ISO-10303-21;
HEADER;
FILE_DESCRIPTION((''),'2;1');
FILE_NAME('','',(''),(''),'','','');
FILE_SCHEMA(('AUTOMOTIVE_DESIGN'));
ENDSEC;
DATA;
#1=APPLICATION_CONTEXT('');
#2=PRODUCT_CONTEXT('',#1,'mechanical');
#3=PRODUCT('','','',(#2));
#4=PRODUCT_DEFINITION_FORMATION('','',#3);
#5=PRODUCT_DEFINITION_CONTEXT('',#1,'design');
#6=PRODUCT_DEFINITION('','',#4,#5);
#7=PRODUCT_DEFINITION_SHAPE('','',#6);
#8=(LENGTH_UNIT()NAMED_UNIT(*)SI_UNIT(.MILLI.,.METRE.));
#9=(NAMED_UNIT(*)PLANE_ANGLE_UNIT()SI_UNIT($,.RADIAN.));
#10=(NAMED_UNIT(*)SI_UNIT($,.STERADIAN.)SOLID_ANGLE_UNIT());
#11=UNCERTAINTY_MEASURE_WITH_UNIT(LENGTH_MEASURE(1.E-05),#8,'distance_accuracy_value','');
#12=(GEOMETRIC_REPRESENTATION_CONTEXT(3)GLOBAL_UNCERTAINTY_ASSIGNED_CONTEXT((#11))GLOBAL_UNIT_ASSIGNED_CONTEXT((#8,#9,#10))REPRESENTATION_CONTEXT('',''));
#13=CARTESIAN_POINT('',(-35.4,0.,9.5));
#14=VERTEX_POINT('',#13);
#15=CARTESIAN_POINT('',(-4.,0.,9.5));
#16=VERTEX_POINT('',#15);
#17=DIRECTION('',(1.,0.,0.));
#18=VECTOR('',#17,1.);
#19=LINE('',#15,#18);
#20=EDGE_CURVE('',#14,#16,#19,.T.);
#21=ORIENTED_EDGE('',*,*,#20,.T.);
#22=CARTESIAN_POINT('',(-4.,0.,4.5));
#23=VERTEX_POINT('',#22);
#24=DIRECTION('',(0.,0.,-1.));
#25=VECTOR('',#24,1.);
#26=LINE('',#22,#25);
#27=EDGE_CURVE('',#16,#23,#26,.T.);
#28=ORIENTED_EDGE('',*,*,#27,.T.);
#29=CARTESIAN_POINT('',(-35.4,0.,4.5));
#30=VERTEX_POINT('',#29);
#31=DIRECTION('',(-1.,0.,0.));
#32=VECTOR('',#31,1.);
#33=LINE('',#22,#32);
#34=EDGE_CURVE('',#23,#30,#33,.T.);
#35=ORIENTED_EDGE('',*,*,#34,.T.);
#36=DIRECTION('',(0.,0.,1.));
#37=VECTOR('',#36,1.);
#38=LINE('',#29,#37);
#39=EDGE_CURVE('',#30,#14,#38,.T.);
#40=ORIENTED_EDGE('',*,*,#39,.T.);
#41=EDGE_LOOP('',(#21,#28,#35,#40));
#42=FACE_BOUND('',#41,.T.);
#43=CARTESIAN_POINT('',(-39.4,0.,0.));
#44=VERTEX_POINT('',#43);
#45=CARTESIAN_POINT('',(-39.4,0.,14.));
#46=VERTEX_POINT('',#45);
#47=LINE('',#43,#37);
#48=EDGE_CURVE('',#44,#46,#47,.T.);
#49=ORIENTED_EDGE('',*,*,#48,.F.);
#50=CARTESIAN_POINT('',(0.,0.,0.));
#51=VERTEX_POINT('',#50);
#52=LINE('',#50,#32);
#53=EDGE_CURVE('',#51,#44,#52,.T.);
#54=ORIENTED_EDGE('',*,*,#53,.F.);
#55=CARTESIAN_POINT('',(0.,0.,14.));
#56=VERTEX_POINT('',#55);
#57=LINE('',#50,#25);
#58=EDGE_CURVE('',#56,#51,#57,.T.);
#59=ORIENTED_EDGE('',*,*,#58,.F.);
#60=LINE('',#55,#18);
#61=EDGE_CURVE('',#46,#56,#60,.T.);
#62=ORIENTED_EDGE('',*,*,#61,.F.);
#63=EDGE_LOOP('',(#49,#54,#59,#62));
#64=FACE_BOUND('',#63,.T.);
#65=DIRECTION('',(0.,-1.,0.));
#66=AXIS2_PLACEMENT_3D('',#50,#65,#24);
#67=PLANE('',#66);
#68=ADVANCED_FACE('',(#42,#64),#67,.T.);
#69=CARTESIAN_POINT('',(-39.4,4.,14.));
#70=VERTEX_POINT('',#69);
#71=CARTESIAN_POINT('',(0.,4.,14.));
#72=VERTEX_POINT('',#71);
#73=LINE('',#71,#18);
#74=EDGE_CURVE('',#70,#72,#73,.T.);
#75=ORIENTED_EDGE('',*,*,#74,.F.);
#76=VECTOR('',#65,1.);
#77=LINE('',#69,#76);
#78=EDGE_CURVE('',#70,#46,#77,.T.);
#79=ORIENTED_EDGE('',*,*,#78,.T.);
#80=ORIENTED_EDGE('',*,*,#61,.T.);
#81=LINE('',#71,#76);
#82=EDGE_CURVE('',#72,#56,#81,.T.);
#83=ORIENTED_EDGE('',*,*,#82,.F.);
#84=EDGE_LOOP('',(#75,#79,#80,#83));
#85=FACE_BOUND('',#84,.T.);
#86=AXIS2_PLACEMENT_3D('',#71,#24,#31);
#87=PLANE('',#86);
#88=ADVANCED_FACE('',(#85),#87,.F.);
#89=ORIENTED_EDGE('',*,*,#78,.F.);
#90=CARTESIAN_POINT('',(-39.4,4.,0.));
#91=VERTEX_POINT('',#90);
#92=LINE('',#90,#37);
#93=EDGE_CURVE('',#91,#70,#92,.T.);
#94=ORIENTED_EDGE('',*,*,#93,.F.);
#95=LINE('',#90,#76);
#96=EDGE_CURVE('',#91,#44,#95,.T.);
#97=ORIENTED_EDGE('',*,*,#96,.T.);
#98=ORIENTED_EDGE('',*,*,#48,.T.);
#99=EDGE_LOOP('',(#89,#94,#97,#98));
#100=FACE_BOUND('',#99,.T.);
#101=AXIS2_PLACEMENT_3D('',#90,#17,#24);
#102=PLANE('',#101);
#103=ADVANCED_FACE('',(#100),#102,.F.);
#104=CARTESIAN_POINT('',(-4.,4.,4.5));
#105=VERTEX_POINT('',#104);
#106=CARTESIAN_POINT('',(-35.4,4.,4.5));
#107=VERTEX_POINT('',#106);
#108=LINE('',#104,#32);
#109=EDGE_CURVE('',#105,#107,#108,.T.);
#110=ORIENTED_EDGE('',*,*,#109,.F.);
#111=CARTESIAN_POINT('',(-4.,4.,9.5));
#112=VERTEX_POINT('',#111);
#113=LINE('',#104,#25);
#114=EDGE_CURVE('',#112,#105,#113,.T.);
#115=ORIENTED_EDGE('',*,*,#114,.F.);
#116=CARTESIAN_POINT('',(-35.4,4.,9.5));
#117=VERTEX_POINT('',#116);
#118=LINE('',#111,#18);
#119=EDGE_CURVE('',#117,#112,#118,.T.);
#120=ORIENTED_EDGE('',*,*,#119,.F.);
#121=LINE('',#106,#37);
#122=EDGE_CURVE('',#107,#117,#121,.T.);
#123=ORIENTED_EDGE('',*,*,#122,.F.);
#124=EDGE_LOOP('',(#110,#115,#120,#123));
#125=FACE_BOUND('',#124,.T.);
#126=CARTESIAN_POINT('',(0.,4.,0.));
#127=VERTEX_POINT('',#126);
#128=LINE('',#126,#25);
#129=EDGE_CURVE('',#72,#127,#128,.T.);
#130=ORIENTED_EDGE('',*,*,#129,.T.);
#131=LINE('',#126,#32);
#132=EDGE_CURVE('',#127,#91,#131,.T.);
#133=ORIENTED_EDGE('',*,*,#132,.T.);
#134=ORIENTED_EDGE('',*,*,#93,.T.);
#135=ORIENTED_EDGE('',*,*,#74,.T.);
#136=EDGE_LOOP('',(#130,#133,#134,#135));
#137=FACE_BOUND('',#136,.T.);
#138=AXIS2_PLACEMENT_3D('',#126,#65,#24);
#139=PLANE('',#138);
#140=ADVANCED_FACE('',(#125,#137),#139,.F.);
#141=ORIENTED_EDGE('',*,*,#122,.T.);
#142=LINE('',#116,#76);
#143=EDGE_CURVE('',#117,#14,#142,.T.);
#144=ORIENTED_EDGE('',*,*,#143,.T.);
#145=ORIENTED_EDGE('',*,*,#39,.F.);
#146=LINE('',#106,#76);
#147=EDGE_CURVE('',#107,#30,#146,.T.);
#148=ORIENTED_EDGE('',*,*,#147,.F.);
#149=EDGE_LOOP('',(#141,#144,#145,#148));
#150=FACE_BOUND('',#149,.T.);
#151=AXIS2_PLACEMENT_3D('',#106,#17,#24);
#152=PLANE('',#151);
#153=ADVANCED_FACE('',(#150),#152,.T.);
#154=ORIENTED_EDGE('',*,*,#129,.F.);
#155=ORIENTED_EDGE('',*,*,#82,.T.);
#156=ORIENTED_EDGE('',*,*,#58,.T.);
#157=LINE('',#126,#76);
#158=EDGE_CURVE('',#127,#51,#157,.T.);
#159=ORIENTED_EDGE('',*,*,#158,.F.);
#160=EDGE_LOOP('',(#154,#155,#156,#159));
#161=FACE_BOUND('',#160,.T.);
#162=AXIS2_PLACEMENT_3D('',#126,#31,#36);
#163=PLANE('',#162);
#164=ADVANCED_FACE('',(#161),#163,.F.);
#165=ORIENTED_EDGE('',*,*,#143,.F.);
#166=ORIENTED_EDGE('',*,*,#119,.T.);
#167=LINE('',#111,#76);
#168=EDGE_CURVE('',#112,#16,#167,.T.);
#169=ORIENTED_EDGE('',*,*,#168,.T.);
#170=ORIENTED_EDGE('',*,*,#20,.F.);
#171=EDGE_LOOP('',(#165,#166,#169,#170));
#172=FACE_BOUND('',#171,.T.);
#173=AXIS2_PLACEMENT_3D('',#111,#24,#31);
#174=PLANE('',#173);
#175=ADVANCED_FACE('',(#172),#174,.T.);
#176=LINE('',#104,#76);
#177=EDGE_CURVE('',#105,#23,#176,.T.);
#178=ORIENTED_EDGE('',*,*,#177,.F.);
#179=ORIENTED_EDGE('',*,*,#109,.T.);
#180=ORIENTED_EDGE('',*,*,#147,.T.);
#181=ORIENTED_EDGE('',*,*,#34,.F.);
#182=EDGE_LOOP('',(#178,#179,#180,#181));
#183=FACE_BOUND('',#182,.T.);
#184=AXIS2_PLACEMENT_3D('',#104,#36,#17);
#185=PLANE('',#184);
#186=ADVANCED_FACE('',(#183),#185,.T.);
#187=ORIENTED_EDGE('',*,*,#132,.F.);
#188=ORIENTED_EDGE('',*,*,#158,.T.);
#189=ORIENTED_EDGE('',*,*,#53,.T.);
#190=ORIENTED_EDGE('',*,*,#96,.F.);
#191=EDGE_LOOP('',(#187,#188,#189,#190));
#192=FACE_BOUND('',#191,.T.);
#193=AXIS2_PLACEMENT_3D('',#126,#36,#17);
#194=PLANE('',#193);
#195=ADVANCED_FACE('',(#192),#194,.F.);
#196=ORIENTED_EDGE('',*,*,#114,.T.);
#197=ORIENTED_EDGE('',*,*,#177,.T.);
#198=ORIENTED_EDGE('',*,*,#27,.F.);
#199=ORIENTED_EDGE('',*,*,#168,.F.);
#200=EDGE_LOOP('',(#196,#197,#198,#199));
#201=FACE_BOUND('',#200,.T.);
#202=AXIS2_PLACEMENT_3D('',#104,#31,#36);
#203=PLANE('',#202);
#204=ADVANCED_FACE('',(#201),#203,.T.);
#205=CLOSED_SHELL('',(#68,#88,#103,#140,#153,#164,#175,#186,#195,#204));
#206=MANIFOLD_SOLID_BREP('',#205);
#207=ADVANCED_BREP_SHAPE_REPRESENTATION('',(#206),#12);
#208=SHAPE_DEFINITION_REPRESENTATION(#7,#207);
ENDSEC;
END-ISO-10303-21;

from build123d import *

# Parameters (mm, degrees)
CROQUIS1_W              = 39.4
CROQUIS1_H              = 14
CROQUIS1_W_2            = 31.4
CROQUIS1_H_2            = 5
SALIENTE_EXTRUIR1_DEPTH = 4


with BuildPart() as part:
    # Croquis1 → Saliente-Extruir1 (new body)
    with BuildSketch(Plane(origin=(0, 0, 0), x_dir=(1, 0, 0), z_dir=(0, 1, 0))):
        with Locations((-19.7, -7)):
            Rectangle(CROQUIS1_W, CROQUIS1_H)
        with Locations((-19.7, -7)):
            Rectangle(CROQUIS1_W_2, CROQUIS1_H_2, mode=Mode.SUBTRACT)
    extrude(amount=SALIENTE_EXTRUIR1_DEPTH)


solid = part.part
